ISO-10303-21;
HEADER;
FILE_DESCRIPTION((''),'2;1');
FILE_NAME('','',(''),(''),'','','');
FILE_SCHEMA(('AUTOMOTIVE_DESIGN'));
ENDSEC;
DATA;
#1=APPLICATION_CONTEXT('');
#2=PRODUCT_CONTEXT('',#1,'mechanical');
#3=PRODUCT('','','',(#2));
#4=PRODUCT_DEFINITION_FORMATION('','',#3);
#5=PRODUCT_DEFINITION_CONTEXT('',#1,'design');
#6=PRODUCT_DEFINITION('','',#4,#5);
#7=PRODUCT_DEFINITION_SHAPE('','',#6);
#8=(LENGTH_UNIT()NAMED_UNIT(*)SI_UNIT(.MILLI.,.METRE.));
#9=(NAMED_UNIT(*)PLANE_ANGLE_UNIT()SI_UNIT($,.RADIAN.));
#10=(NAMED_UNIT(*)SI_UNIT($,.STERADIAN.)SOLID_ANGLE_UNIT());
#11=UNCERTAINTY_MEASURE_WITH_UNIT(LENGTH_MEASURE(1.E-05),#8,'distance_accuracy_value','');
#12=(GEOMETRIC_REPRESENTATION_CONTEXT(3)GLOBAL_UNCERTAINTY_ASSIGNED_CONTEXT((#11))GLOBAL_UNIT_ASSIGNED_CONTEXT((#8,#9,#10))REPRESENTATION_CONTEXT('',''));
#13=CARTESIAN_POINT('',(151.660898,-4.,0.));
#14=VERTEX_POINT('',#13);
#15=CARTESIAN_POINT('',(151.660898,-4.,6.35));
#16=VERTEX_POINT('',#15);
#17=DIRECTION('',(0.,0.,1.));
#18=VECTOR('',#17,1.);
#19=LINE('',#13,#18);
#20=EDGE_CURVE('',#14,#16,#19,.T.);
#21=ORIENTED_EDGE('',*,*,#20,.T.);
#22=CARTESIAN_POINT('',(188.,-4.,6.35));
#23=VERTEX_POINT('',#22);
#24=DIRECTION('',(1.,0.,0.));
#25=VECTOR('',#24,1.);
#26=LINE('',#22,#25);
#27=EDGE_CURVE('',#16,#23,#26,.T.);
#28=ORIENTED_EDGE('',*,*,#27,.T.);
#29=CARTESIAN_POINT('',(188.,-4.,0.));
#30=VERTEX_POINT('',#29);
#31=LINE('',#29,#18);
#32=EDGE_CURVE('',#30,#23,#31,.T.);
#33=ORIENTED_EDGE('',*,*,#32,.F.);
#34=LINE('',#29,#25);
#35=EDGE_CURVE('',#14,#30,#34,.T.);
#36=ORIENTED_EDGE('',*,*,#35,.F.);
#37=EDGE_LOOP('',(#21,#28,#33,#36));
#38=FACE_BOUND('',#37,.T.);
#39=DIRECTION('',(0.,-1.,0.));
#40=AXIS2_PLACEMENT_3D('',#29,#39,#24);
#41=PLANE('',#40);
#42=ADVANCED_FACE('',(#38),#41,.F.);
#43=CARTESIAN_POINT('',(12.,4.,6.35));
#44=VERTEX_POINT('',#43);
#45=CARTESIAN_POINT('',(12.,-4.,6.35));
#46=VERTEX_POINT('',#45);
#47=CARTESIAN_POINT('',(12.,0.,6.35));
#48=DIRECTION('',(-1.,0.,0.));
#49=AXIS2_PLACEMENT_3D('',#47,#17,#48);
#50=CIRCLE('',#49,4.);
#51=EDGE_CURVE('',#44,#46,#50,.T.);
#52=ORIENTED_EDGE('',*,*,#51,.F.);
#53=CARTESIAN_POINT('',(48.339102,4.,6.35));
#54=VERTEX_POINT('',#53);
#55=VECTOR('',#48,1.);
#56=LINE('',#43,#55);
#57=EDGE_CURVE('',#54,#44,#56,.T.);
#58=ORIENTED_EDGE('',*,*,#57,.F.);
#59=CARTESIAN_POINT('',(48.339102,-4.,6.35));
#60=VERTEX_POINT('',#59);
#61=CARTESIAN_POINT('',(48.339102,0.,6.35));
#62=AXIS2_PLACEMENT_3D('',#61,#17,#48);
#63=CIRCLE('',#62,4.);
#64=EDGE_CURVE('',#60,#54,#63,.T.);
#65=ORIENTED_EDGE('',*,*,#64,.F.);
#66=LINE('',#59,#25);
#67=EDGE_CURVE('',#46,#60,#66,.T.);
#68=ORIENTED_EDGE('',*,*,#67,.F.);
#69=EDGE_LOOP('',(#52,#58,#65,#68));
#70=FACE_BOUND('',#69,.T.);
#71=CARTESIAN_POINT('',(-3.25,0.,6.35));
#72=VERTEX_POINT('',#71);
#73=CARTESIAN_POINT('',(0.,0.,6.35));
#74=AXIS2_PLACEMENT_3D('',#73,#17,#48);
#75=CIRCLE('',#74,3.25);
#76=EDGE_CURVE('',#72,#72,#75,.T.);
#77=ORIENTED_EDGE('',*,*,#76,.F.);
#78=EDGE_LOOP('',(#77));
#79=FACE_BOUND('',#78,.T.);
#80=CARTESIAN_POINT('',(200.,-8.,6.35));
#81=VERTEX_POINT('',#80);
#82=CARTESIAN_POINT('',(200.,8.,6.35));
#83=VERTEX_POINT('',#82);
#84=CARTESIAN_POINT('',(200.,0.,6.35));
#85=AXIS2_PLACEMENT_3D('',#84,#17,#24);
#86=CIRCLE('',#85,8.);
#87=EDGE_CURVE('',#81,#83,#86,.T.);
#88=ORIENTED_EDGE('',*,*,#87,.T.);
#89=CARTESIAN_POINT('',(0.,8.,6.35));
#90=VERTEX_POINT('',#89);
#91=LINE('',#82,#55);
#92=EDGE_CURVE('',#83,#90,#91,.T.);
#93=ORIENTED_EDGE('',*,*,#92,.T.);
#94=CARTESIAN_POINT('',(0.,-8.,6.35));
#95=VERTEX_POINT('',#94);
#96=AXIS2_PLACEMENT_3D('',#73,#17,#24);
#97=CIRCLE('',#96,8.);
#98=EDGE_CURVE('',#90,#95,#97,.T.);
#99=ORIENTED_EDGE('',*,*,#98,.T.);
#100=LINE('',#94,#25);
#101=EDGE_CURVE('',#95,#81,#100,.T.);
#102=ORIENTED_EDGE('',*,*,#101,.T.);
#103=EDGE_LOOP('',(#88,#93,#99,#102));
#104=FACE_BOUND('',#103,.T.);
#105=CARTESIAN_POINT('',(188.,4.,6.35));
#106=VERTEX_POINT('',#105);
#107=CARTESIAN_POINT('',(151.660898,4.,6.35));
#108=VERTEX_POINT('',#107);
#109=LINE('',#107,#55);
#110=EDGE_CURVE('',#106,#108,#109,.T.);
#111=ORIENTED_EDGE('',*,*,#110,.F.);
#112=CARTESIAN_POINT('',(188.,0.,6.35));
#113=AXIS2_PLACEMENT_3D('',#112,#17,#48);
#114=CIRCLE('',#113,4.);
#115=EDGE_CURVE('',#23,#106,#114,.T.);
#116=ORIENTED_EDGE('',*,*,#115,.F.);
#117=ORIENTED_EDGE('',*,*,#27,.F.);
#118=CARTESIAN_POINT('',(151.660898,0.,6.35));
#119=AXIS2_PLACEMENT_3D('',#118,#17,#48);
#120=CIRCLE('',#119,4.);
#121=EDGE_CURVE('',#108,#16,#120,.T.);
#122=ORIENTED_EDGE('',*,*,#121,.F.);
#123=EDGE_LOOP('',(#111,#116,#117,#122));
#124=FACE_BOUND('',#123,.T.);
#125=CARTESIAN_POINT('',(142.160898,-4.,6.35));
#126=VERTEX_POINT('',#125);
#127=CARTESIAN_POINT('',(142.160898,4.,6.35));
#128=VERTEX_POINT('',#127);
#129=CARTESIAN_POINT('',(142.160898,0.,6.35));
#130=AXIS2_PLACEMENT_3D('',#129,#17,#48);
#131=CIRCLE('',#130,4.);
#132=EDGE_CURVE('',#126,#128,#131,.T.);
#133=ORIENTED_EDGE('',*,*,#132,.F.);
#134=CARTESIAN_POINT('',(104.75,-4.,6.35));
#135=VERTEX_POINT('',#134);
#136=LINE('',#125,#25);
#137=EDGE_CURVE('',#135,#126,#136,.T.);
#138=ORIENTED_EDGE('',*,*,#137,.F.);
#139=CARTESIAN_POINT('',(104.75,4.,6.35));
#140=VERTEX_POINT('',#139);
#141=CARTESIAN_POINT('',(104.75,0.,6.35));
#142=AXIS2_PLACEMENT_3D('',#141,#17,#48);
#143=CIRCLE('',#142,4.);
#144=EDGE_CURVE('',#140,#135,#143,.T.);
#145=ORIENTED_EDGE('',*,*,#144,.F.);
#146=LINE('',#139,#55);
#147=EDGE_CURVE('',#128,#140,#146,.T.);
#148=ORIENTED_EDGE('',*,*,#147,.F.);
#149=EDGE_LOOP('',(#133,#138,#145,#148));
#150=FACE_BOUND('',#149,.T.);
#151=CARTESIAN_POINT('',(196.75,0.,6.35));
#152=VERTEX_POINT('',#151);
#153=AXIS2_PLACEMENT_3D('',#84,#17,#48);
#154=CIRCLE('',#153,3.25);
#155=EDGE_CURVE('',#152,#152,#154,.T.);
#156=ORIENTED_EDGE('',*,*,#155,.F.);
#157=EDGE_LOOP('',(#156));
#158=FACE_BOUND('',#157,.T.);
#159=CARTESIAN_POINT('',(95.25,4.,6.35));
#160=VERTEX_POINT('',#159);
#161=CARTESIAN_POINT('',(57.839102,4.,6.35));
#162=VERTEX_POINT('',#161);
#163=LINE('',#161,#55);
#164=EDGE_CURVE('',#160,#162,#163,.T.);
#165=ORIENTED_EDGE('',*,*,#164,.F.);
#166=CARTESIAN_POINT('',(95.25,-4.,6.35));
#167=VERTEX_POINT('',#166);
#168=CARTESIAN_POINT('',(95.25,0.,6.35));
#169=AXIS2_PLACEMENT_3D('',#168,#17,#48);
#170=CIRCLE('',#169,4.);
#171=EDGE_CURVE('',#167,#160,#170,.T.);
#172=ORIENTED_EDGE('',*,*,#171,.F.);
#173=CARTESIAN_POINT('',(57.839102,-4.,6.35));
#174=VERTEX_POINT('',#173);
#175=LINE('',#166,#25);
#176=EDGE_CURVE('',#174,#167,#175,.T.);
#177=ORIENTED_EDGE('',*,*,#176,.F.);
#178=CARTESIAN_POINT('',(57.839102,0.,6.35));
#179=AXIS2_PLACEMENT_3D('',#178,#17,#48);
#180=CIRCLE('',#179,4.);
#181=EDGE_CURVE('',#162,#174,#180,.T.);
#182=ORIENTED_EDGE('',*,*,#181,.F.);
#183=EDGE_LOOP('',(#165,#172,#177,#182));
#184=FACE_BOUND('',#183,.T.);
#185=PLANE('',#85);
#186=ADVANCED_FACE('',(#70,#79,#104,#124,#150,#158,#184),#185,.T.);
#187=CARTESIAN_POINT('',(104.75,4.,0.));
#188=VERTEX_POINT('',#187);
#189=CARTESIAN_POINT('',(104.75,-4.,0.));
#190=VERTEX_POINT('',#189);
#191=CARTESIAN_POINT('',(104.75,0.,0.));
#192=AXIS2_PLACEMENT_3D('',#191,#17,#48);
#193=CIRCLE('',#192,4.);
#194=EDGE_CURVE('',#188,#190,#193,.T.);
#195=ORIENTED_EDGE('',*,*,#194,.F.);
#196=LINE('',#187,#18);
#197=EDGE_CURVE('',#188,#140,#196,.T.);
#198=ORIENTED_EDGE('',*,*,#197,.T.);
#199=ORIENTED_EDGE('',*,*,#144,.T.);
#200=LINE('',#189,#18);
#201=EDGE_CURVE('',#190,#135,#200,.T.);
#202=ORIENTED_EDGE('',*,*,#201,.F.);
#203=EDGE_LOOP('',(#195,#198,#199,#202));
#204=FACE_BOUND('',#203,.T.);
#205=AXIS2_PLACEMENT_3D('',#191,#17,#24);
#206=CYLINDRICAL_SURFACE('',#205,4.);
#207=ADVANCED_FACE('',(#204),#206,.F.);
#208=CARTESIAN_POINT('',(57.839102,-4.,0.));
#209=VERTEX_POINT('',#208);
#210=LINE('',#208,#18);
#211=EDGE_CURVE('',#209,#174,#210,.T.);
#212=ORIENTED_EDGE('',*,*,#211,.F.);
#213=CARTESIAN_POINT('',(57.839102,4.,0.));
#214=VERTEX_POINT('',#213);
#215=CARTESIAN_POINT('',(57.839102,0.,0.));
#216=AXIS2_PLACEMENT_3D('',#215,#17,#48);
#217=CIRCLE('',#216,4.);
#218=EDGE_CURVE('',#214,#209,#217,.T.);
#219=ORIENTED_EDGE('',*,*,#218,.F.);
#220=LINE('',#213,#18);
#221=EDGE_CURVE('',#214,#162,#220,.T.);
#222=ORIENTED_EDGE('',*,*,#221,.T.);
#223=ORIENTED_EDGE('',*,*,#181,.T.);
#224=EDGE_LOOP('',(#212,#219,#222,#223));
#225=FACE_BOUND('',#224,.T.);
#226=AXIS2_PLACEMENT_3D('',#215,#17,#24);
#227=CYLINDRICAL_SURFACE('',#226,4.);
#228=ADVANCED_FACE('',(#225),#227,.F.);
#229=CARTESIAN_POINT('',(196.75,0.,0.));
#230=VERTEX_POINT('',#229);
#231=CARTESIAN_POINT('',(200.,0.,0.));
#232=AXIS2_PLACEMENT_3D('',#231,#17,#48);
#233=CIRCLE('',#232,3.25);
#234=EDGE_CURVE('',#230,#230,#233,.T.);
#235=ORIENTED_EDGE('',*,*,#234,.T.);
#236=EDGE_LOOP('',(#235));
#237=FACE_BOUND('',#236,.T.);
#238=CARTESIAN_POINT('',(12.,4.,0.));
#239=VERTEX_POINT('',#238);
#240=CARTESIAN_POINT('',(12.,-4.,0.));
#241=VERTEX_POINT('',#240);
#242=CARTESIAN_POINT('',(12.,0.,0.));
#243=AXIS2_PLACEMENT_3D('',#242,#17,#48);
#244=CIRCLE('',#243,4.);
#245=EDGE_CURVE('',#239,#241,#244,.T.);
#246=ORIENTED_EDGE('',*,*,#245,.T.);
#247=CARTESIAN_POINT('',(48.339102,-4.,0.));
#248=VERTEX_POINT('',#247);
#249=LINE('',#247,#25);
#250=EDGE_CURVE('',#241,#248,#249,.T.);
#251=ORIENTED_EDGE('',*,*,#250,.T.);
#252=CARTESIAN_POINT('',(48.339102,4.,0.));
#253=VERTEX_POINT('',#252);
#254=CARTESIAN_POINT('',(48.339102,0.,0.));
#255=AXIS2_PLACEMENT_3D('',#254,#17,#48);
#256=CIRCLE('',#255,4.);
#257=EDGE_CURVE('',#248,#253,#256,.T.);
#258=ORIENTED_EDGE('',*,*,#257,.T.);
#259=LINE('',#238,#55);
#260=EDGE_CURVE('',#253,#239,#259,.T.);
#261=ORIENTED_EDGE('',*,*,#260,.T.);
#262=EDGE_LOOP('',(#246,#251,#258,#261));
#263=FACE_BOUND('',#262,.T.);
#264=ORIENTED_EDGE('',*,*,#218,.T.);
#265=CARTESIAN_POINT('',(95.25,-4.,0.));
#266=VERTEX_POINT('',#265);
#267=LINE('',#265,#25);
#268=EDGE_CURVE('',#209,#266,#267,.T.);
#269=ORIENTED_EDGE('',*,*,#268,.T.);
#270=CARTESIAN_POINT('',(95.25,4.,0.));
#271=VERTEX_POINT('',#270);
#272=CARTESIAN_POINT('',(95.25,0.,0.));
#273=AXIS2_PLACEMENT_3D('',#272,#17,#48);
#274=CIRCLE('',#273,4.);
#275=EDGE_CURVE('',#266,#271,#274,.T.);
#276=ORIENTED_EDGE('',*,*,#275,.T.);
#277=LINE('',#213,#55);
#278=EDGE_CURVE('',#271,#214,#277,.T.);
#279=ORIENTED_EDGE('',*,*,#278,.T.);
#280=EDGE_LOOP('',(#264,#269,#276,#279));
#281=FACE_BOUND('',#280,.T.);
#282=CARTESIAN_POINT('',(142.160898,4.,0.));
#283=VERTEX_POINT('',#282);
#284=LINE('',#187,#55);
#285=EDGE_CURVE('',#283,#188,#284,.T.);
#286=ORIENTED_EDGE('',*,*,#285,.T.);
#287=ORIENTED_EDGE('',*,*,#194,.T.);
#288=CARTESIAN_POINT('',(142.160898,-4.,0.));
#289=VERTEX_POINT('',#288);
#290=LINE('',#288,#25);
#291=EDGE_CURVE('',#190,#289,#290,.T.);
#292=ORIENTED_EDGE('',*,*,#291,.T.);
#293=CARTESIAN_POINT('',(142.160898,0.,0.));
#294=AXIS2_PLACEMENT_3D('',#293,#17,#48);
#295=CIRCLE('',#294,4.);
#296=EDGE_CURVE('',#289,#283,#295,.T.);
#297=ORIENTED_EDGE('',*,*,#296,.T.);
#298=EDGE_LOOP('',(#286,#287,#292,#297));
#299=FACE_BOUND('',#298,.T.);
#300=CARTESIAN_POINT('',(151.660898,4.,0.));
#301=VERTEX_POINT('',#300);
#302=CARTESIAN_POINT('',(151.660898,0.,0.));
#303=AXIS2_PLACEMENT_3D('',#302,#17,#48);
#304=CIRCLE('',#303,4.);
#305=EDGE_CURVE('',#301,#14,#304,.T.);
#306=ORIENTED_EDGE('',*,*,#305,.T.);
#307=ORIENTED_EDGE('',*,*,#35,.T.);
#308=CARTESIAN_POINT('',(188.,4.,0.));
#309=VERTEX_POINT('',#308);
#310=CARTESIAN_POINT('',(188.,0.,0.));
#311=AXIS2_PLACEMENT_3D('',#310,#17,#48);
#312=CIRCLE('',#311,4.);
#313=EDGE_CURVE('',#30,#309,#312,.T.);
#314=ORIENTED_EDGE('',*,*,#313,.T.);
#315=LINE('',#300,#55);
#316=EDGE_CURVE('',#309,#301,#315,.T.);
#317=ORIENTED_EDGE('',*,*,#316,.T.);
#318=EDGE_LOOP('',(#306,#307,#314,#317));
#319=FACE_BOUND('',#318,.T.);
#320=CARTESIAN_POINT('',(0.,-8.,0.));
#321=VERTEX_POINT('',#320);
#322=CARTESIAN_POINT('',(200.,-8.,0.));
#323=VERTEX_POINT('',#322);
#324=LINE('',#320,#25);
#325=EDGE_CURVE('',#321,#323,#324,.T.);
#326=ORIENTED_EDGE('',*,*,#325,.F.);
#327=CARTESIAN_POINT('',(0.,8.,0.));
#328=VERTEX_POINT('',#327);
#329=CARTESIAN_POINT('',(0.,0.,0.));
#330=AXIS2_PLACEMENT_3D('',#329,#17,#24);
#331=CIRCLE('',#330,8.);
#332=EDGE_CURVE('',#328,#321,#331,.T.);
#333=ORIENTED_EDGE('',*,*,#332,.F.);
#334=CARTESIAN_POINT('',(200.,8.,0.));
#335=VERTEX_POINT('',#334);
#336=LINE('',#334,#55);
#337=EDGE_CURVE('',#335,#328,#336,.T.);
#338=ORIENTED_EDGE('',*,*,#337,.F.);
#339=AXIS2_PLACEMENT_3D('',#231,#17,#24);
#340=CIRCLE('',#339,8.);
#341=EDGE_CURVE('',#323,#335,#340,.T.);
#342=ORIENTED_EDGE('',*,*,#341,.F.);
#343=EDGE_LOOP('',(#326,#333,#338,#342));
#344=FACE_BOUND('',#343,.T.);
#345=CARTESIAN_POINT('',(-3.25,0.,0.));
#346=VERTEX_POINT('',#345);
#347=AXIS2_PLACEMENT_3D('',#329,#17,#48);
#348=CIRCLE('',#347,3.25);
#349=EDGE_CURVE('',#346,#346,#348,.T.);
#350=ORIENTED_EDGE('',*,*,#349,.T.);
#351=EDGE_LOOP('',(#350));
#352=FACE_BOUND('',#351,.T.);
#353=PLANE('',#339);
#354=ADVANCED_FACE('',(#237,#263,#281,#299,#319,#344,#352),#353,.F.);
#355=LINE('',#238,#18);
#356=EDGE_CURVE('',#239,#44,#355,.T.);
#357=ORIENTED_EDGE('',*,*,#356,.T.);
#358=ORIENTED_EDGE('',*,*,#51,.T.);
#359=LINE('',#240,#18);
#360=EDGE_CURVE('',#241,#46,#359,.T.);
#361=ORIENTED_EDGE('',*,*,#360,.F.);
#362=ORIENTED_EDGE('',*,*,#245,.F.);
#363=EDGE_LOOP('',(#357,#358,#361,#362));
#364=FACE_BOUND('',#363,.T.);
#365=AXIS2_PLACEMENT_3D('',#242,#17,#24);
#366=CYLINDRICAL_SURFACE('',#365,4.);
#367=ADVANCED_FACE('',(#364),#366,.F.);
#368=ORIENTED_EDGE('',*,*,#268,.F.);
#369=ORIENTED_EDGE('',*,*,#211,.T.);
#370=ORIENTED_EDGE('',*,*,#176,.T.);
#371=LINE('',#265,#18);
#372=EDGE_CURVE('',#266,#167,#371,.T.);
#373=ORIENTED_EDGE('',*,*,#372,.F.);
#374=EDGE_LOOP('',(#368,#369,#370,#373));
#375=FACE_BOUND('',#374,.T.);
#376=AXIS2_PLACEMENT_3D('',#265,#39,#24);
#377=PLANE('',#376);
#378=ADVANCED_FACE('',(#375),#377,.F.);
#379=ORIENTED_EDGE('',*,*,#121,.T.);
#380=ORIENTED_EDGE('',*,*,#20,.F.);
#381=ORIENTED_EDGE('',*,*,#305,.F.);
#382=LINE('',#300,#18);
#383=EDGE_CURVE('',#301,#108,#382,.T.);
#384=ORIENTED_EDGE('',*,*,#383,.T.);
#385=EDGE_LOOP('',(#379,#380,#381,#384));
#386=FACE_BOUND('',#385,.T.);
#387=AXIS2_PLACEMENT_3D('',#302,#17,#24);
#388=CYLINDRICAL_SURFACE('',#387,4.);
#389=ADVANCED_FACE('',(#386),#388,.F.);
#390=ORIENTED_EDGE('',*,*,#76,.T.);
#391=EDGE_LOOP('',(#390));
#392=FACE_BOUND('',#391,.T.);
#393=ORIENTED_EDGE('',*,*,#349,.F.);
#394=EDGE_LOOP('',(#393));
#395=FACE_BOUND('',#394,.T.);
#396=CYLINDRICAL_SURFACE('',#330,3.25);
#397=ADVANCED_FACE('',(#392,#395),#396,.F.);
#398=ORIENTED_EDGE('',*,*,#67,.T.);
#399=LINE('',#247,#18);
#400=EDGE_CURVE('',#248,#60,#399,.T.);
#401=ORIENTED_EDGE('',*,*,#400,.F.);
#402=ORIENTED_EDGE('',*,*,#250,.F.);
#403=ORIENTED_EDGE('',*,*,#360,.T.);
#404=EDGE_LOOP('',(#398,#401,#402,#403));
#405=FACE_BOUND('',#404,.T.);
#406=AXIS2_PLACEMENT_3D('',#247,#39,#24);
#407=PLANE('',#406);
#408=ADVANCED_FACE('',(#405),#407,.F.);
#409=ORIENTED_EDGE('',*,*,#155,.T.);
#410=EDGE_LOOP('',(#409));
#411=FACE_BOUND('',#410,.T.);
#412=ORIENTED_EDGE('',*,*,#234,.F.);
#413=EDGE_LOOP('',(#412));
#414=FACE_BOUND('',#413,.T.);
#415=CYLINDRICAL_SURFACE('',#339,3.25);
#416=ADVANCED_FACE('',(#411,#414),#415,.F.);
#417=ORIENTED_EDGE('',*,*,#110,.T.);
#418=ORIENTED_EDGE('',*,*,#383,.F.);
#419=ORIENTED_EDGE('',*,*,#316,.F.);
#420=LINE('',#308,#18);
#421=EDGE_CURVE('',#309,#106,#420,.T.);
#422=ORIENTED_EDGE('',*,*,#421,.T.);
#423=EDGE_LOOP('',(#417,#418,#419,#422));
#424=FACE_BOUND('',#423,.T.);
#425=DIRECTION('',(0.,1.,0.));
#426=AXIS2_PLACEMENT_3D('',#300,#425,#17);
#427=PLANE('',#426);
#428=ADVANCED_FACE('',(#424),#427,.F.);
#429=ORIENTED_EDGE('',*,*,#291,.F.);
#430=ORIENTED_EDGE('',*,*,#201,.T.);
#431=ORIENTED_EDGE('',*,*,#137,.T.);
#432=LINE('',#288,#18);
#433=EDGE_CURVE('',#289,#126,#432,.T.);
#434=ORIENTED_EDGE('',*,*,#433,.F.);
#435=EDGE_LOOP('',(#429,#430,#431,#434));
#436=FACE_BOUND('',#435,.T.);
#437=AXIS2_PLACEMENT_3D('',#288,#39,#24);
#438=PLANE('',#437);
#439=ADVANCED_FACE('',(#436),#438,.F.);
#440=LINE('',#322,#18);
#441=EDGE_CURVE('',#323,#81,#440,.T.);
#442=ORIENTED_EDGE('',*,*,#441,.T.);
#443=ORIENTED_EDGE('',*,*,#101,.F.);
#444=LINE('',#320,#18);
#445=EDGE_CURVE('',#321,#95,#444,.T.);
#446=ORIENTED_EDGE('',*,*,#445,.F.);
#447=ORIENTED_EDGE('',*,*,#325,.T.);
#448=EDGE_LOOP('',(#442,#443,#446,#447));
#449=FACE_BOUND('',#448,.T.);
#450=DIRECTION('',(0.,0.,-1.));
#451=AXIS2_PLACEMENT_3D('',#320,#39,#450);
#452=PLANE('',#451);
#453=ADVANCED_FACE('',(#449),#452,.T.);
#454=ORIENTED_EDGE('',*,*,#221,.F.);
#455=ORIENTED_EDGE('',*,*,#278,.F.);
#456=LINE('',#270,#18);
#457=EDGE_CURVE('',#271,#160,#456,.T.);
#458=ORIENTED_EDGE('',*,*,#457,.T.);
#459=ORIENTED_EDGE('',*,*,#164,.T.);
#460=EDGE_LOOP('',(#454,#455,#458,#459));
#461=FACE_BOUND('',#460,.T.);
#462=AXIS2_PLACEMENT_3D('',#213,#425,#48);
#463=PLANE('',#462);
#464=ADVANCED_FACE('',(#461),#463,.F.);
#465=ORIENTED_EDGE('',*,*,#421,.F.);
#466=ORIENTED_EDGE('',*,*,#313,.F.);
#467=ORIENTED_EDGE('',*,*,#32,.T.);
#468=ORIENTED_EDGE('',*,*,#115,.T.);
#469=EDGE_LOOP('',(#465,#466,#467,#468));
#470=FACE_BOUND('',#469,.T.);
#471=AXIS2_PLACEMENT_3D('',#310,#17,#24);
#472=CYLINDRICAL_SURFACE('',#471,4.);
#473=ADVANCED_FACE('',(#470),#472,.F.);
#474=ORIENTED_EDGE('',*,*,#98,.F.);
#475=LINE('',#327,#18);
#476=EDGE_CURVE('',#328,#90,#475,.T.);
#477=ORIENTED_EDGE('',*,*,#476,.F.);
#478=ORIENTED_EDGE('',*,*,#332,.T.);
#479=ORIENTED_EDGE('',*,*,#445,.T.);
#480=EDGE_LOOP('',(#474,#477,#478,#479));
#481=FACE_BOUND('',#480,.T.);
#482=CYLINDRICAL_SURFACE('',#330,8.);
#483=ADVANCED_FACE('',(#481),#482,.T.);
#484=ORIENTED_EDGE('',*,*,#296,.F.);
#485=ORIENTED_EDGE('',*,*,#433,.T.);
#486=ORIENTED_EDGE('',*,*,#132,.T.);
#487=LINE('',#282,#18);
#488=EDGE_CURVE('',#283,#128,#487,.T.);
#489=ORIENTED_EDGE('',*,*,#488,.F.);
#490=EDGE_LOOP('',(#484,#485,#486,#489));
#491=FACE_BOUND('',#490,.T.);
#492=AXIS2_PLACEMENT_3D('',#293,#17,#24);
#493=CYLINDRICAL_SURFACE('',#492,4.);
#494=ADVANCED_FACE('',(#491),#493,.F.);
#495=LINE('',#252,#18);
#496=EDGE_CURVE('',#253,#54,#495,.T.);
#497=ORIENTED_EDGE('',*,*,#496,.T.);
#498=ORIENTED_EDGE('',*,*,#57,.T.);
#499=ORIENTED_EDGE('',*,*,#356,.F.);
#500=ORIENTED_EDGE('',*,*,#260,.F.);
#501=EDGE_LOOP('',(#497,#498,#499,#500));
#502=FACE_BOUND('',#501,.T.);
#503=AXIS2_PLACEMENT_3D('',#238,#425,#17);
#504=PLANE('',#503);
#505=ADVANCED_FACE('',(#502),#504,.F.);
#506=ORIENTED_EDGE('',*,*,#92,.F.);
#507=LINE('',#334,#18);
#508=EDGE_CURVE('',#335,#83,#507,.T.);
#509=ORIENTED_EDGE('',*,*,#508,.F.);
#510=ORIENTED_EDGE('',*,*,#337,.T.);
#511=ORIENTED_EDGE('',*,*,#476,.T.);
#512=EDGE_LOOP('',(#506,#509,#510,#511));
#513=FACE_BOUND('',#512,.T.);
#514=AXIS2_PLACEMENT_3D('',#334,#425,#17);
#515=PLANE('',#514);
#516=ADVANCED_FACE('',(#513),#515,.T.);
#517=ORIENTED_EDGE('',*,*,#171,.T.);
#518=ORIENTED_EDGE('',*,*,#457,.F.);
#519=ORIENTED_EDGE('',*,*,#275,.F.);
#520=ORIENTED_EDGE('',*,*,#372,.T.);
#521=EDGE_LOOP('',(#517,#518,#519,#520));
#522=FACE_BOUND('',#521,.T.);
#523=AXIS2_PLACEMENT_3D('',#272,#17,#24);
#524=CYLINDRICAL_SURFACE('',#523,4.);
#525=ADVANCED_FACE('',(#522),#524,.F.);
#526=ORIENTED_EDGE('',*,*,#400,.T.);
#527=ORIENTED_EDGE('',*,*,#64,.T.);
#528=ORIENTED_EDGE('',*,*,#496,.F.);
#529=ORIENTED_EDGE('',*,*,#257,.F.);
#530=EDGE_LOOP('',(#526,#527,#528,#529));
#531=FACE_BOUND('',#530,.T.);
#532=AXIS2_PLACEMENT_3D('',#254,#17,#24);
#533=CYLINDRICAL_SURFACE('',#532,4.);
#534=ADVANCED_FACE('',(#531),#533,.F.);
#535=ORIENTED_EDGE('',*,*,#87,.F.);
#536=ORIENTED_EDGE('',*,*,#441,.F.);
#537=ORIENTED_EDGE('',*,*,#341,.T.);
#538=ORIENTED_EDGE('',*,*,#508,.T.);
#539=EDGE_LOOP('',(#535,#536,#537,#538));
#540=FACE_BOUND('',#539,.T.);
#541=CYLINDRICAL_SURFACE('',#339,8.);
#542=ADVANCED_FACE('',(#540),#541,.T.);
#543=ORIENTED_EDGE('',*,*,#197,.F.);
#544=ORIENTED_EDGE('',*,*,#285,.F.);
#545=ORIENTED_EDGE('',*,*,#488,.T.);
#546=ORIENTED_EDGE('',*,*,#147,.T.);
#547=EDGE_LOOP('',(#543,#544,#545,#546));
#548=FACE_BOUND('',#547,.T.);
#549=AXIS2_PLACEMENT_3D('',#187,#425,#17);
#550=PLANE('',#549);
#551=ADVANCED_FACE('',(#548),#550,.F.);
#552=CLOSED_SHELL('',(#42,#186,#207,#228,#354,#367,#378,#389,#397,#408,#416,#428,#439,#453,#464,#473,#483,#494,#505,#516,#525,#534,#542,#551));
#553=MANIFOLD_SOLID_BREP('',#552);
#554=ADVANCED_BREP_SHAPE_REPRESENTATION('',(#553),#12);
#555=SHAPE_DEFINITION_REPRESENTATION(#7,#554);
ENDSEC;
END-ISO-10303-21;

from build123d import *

# Parameters (mm, degrees)
SKETCH1_R           = 3.25
BOSS_EXTRUDE1_DEPTH = 6.35


with BuildPart() as part:
    # Sketch1 → Boss-Extrude1 (new body)
    with BuildSketch(Plane.XY.offset(6.35)):
        with BuildLine():
            Line((200, 8), (0, 8))
            ThreePointArc((0, 8), (-8, 0), (0, -8))
            Line((0, -8), (200, -8))
            ThreePointArc((200, -8), (208, 0), (200, 8))
        make_face()
        with Locations((200, 0)):
            Circle(SKETCH1_R, mode=Mode.SUBTRACT)
        Circle(SKETCH1_R, mode=Mode.SUBTRACT)
        with BuildLine():
            Line((104.75, 4), (142.160898385, 4))
            ThreePointArc((142.160898385, 4), (146.160898385, 0), (142.160898385, -4))
            Line((142.160898385, -4), (104.75, -4))
            ThreePointArc((104.75, -4), (100.75, 0), (104.75, 4))
        make_face(mode=Mode.SUBTRACT)
        with BuildLine():
            Line((12, 4), (48.339101615, 4))
            ThreePointArc((48.339101615, 4), (52.339101615, 0), (48.339101615, -4))
            Line((48.339101615, -4), (12, -4))
            ThreePointArc((12, -4), (8, 0), (12, 4))
        make_face(mode=Mode.SUBTRACT)
        with BuildLine():
            Line((57.839101615, 4), (95.25, 4))
            ThreePointArc((95.25, 4), (99.25, 0), (95.25, -4))
            Line((95.25, -4), (57.839101615, -4))
            ThreePointArc((57.839101615, -4), (53.839101615, 0), (57.839101615, 4))
        make_face(mode=Mode.SUBTRACT)
        with BuildLine():
            Line((188, -4), (151.660898385, -4))
            ThreePointArc((151.660898385, -4), (147.660898385, 0), (151.660898385, 4))
            Line((151.660898385, 4), (188, 4))
            ThreePointArc((188, 4), (192, 0), (188, -4))
        make_face(mode=Mode.SUBTRACT)
    extrude(amount=-BOSS_EXTRUDE1_DEPTH)


solid = part.part
